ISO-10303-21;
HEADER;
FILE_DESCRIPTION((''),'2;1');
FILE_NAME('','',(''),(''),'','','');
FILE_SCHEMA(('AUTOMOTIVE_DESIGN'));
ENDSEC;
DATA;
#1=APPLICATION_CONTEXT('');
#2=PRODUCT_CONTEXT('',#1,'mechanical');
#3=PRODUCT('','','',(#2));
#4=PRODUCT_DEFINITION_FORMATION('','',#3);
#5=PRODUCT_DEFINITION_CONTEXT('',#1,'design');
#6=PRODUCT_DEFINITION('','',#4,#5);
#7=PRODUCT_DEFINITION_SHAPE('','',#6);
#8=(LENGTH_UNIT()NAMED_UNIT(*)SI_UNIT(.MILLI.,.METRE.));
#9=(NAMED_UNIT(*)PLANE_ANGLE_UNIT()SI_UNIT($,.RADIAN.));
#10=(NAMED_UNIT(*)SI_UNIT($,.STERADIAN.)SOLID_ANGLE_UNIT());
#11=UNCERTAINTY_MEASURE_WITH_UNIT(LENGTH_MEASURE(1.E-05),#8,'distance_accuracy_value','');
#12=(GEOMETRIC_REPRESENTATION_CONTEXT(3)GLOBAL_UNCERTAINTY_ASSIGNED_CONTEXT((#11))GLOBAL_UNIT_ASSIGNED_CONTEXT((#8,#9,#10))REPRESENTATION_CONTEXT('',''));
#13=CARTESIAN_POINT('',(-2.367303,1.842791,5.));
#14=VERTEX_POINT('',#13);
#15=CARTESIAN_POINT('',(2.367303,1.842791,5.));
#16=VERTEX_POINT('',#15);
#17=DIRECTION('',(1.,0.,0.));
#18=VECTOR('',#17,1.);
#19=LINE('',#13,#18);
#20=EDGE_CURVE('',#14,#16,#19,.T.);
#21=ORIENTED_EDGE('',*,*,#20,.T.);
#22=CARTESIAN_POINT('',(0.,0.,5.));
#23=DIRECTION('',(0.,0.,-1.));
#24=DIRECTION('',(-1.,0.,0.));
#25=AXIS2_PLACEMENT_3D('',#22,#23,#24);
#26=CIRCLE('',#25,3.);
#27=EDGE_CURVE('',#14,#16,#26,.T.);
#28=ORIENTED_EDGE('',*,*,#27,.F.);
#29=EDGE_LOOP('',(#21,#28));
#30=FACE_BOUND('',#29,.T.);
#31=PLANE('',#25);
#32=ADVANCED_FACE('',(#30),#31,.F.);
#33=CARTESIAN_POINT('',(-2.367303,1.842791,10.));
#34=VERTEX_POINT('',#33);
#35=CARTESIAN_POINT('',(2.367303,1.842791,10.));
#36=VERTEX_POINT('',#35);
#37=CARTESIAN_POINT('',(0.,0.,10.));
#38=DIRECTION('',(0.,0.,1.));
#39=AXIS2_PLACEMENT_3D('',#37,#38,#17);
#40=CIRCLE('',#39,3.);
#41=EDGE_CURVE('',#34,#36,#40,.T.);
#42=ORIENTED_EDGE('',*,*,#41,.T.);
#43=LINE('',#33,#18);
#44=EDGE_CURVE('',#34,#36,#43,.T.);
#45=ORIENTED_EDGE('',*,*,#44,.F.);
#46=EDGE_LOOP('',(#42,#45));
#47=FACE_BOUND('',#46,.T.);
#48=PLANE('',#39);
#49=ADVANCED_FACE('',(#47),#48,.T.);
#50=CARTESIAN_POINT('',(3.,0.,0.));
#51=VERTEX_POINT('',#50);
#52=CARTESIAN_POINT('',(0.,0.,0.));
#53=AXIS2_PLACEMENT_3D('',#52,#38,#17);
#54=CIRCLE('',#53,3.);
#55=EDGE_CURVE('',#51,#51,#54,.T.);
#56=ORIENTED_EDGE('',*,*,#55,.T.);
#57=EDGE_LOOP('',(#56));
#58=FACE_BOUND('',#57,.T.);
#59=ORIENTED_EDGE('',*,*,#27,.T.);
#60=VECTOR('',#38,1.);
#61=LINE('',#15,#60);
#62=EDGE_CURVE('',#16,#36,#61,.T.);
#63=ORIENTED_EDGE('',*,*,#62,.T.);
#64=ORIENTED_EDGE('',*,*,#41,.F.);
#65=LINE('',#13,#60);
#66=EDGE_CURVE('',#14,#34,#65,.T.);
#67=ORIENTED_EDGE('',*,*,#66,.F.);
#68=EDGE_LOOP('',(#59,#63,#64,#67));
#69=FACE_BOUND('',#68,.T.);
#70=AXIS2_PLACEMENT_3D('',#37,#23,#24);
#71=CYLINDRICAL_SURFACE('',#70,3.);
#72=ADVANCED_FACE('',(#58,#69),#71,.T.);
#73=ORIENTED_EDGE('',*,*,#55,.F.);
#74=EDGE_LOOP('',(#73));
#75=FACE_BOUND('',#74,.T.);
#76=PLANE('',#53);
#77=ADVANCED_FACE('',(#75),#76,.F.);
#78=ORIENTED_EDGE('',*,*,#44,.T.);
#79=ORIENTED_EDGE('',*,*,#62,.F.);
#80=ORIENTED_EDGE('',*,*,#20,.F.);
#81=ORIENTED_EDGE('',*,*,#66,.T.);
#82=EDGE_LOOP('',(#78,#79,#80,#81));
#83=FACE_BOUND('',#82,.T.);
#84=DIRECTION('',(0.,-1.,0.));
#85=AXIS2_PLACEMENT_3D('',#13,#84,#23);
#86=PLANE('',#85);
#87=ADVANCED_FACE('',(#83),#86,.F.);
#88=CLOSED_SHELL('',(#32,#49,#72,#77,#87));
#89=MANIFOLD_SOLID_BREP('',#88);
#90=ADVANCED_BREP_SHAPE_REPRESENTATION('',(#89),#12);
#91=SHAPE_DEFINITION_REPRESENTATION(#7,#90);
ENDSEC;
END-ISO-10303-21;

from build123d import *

# Parameters (mm, degrees)
CROQUIS1_R              = 3
SALIENTE_EXTRUIR1_DEPTH = 10
CORTAR_EXTRUIR1_DEPTH   = 5


with BuildPart() as part:
    # Croquis1 → Saliente-Extruir1 (new body)
    with BuildSketch(Plane.XY):
        Circle(CROQUIS1_R)
    extrude(amount=SALIENTE_EXTRUIR1_DEPTH)

    # Croquis2 → Cortar-Extruir1 (cut)
    with BuildSketch(Plane.XY.offset(10)):
        with BuildLine():
            Line((-2.367302512, 1.84279104), (2.367302512, 1.84279104))
            ThreePointArc((2.367302512, 1.84279104), (0, 3), (-2.367302512, 1.84279104))
        make_face()
    extrude(amount=-CORTAR_EXTRUIR1_DEPTH, mode=Mode.SUBTRACT)


solid = part.part
